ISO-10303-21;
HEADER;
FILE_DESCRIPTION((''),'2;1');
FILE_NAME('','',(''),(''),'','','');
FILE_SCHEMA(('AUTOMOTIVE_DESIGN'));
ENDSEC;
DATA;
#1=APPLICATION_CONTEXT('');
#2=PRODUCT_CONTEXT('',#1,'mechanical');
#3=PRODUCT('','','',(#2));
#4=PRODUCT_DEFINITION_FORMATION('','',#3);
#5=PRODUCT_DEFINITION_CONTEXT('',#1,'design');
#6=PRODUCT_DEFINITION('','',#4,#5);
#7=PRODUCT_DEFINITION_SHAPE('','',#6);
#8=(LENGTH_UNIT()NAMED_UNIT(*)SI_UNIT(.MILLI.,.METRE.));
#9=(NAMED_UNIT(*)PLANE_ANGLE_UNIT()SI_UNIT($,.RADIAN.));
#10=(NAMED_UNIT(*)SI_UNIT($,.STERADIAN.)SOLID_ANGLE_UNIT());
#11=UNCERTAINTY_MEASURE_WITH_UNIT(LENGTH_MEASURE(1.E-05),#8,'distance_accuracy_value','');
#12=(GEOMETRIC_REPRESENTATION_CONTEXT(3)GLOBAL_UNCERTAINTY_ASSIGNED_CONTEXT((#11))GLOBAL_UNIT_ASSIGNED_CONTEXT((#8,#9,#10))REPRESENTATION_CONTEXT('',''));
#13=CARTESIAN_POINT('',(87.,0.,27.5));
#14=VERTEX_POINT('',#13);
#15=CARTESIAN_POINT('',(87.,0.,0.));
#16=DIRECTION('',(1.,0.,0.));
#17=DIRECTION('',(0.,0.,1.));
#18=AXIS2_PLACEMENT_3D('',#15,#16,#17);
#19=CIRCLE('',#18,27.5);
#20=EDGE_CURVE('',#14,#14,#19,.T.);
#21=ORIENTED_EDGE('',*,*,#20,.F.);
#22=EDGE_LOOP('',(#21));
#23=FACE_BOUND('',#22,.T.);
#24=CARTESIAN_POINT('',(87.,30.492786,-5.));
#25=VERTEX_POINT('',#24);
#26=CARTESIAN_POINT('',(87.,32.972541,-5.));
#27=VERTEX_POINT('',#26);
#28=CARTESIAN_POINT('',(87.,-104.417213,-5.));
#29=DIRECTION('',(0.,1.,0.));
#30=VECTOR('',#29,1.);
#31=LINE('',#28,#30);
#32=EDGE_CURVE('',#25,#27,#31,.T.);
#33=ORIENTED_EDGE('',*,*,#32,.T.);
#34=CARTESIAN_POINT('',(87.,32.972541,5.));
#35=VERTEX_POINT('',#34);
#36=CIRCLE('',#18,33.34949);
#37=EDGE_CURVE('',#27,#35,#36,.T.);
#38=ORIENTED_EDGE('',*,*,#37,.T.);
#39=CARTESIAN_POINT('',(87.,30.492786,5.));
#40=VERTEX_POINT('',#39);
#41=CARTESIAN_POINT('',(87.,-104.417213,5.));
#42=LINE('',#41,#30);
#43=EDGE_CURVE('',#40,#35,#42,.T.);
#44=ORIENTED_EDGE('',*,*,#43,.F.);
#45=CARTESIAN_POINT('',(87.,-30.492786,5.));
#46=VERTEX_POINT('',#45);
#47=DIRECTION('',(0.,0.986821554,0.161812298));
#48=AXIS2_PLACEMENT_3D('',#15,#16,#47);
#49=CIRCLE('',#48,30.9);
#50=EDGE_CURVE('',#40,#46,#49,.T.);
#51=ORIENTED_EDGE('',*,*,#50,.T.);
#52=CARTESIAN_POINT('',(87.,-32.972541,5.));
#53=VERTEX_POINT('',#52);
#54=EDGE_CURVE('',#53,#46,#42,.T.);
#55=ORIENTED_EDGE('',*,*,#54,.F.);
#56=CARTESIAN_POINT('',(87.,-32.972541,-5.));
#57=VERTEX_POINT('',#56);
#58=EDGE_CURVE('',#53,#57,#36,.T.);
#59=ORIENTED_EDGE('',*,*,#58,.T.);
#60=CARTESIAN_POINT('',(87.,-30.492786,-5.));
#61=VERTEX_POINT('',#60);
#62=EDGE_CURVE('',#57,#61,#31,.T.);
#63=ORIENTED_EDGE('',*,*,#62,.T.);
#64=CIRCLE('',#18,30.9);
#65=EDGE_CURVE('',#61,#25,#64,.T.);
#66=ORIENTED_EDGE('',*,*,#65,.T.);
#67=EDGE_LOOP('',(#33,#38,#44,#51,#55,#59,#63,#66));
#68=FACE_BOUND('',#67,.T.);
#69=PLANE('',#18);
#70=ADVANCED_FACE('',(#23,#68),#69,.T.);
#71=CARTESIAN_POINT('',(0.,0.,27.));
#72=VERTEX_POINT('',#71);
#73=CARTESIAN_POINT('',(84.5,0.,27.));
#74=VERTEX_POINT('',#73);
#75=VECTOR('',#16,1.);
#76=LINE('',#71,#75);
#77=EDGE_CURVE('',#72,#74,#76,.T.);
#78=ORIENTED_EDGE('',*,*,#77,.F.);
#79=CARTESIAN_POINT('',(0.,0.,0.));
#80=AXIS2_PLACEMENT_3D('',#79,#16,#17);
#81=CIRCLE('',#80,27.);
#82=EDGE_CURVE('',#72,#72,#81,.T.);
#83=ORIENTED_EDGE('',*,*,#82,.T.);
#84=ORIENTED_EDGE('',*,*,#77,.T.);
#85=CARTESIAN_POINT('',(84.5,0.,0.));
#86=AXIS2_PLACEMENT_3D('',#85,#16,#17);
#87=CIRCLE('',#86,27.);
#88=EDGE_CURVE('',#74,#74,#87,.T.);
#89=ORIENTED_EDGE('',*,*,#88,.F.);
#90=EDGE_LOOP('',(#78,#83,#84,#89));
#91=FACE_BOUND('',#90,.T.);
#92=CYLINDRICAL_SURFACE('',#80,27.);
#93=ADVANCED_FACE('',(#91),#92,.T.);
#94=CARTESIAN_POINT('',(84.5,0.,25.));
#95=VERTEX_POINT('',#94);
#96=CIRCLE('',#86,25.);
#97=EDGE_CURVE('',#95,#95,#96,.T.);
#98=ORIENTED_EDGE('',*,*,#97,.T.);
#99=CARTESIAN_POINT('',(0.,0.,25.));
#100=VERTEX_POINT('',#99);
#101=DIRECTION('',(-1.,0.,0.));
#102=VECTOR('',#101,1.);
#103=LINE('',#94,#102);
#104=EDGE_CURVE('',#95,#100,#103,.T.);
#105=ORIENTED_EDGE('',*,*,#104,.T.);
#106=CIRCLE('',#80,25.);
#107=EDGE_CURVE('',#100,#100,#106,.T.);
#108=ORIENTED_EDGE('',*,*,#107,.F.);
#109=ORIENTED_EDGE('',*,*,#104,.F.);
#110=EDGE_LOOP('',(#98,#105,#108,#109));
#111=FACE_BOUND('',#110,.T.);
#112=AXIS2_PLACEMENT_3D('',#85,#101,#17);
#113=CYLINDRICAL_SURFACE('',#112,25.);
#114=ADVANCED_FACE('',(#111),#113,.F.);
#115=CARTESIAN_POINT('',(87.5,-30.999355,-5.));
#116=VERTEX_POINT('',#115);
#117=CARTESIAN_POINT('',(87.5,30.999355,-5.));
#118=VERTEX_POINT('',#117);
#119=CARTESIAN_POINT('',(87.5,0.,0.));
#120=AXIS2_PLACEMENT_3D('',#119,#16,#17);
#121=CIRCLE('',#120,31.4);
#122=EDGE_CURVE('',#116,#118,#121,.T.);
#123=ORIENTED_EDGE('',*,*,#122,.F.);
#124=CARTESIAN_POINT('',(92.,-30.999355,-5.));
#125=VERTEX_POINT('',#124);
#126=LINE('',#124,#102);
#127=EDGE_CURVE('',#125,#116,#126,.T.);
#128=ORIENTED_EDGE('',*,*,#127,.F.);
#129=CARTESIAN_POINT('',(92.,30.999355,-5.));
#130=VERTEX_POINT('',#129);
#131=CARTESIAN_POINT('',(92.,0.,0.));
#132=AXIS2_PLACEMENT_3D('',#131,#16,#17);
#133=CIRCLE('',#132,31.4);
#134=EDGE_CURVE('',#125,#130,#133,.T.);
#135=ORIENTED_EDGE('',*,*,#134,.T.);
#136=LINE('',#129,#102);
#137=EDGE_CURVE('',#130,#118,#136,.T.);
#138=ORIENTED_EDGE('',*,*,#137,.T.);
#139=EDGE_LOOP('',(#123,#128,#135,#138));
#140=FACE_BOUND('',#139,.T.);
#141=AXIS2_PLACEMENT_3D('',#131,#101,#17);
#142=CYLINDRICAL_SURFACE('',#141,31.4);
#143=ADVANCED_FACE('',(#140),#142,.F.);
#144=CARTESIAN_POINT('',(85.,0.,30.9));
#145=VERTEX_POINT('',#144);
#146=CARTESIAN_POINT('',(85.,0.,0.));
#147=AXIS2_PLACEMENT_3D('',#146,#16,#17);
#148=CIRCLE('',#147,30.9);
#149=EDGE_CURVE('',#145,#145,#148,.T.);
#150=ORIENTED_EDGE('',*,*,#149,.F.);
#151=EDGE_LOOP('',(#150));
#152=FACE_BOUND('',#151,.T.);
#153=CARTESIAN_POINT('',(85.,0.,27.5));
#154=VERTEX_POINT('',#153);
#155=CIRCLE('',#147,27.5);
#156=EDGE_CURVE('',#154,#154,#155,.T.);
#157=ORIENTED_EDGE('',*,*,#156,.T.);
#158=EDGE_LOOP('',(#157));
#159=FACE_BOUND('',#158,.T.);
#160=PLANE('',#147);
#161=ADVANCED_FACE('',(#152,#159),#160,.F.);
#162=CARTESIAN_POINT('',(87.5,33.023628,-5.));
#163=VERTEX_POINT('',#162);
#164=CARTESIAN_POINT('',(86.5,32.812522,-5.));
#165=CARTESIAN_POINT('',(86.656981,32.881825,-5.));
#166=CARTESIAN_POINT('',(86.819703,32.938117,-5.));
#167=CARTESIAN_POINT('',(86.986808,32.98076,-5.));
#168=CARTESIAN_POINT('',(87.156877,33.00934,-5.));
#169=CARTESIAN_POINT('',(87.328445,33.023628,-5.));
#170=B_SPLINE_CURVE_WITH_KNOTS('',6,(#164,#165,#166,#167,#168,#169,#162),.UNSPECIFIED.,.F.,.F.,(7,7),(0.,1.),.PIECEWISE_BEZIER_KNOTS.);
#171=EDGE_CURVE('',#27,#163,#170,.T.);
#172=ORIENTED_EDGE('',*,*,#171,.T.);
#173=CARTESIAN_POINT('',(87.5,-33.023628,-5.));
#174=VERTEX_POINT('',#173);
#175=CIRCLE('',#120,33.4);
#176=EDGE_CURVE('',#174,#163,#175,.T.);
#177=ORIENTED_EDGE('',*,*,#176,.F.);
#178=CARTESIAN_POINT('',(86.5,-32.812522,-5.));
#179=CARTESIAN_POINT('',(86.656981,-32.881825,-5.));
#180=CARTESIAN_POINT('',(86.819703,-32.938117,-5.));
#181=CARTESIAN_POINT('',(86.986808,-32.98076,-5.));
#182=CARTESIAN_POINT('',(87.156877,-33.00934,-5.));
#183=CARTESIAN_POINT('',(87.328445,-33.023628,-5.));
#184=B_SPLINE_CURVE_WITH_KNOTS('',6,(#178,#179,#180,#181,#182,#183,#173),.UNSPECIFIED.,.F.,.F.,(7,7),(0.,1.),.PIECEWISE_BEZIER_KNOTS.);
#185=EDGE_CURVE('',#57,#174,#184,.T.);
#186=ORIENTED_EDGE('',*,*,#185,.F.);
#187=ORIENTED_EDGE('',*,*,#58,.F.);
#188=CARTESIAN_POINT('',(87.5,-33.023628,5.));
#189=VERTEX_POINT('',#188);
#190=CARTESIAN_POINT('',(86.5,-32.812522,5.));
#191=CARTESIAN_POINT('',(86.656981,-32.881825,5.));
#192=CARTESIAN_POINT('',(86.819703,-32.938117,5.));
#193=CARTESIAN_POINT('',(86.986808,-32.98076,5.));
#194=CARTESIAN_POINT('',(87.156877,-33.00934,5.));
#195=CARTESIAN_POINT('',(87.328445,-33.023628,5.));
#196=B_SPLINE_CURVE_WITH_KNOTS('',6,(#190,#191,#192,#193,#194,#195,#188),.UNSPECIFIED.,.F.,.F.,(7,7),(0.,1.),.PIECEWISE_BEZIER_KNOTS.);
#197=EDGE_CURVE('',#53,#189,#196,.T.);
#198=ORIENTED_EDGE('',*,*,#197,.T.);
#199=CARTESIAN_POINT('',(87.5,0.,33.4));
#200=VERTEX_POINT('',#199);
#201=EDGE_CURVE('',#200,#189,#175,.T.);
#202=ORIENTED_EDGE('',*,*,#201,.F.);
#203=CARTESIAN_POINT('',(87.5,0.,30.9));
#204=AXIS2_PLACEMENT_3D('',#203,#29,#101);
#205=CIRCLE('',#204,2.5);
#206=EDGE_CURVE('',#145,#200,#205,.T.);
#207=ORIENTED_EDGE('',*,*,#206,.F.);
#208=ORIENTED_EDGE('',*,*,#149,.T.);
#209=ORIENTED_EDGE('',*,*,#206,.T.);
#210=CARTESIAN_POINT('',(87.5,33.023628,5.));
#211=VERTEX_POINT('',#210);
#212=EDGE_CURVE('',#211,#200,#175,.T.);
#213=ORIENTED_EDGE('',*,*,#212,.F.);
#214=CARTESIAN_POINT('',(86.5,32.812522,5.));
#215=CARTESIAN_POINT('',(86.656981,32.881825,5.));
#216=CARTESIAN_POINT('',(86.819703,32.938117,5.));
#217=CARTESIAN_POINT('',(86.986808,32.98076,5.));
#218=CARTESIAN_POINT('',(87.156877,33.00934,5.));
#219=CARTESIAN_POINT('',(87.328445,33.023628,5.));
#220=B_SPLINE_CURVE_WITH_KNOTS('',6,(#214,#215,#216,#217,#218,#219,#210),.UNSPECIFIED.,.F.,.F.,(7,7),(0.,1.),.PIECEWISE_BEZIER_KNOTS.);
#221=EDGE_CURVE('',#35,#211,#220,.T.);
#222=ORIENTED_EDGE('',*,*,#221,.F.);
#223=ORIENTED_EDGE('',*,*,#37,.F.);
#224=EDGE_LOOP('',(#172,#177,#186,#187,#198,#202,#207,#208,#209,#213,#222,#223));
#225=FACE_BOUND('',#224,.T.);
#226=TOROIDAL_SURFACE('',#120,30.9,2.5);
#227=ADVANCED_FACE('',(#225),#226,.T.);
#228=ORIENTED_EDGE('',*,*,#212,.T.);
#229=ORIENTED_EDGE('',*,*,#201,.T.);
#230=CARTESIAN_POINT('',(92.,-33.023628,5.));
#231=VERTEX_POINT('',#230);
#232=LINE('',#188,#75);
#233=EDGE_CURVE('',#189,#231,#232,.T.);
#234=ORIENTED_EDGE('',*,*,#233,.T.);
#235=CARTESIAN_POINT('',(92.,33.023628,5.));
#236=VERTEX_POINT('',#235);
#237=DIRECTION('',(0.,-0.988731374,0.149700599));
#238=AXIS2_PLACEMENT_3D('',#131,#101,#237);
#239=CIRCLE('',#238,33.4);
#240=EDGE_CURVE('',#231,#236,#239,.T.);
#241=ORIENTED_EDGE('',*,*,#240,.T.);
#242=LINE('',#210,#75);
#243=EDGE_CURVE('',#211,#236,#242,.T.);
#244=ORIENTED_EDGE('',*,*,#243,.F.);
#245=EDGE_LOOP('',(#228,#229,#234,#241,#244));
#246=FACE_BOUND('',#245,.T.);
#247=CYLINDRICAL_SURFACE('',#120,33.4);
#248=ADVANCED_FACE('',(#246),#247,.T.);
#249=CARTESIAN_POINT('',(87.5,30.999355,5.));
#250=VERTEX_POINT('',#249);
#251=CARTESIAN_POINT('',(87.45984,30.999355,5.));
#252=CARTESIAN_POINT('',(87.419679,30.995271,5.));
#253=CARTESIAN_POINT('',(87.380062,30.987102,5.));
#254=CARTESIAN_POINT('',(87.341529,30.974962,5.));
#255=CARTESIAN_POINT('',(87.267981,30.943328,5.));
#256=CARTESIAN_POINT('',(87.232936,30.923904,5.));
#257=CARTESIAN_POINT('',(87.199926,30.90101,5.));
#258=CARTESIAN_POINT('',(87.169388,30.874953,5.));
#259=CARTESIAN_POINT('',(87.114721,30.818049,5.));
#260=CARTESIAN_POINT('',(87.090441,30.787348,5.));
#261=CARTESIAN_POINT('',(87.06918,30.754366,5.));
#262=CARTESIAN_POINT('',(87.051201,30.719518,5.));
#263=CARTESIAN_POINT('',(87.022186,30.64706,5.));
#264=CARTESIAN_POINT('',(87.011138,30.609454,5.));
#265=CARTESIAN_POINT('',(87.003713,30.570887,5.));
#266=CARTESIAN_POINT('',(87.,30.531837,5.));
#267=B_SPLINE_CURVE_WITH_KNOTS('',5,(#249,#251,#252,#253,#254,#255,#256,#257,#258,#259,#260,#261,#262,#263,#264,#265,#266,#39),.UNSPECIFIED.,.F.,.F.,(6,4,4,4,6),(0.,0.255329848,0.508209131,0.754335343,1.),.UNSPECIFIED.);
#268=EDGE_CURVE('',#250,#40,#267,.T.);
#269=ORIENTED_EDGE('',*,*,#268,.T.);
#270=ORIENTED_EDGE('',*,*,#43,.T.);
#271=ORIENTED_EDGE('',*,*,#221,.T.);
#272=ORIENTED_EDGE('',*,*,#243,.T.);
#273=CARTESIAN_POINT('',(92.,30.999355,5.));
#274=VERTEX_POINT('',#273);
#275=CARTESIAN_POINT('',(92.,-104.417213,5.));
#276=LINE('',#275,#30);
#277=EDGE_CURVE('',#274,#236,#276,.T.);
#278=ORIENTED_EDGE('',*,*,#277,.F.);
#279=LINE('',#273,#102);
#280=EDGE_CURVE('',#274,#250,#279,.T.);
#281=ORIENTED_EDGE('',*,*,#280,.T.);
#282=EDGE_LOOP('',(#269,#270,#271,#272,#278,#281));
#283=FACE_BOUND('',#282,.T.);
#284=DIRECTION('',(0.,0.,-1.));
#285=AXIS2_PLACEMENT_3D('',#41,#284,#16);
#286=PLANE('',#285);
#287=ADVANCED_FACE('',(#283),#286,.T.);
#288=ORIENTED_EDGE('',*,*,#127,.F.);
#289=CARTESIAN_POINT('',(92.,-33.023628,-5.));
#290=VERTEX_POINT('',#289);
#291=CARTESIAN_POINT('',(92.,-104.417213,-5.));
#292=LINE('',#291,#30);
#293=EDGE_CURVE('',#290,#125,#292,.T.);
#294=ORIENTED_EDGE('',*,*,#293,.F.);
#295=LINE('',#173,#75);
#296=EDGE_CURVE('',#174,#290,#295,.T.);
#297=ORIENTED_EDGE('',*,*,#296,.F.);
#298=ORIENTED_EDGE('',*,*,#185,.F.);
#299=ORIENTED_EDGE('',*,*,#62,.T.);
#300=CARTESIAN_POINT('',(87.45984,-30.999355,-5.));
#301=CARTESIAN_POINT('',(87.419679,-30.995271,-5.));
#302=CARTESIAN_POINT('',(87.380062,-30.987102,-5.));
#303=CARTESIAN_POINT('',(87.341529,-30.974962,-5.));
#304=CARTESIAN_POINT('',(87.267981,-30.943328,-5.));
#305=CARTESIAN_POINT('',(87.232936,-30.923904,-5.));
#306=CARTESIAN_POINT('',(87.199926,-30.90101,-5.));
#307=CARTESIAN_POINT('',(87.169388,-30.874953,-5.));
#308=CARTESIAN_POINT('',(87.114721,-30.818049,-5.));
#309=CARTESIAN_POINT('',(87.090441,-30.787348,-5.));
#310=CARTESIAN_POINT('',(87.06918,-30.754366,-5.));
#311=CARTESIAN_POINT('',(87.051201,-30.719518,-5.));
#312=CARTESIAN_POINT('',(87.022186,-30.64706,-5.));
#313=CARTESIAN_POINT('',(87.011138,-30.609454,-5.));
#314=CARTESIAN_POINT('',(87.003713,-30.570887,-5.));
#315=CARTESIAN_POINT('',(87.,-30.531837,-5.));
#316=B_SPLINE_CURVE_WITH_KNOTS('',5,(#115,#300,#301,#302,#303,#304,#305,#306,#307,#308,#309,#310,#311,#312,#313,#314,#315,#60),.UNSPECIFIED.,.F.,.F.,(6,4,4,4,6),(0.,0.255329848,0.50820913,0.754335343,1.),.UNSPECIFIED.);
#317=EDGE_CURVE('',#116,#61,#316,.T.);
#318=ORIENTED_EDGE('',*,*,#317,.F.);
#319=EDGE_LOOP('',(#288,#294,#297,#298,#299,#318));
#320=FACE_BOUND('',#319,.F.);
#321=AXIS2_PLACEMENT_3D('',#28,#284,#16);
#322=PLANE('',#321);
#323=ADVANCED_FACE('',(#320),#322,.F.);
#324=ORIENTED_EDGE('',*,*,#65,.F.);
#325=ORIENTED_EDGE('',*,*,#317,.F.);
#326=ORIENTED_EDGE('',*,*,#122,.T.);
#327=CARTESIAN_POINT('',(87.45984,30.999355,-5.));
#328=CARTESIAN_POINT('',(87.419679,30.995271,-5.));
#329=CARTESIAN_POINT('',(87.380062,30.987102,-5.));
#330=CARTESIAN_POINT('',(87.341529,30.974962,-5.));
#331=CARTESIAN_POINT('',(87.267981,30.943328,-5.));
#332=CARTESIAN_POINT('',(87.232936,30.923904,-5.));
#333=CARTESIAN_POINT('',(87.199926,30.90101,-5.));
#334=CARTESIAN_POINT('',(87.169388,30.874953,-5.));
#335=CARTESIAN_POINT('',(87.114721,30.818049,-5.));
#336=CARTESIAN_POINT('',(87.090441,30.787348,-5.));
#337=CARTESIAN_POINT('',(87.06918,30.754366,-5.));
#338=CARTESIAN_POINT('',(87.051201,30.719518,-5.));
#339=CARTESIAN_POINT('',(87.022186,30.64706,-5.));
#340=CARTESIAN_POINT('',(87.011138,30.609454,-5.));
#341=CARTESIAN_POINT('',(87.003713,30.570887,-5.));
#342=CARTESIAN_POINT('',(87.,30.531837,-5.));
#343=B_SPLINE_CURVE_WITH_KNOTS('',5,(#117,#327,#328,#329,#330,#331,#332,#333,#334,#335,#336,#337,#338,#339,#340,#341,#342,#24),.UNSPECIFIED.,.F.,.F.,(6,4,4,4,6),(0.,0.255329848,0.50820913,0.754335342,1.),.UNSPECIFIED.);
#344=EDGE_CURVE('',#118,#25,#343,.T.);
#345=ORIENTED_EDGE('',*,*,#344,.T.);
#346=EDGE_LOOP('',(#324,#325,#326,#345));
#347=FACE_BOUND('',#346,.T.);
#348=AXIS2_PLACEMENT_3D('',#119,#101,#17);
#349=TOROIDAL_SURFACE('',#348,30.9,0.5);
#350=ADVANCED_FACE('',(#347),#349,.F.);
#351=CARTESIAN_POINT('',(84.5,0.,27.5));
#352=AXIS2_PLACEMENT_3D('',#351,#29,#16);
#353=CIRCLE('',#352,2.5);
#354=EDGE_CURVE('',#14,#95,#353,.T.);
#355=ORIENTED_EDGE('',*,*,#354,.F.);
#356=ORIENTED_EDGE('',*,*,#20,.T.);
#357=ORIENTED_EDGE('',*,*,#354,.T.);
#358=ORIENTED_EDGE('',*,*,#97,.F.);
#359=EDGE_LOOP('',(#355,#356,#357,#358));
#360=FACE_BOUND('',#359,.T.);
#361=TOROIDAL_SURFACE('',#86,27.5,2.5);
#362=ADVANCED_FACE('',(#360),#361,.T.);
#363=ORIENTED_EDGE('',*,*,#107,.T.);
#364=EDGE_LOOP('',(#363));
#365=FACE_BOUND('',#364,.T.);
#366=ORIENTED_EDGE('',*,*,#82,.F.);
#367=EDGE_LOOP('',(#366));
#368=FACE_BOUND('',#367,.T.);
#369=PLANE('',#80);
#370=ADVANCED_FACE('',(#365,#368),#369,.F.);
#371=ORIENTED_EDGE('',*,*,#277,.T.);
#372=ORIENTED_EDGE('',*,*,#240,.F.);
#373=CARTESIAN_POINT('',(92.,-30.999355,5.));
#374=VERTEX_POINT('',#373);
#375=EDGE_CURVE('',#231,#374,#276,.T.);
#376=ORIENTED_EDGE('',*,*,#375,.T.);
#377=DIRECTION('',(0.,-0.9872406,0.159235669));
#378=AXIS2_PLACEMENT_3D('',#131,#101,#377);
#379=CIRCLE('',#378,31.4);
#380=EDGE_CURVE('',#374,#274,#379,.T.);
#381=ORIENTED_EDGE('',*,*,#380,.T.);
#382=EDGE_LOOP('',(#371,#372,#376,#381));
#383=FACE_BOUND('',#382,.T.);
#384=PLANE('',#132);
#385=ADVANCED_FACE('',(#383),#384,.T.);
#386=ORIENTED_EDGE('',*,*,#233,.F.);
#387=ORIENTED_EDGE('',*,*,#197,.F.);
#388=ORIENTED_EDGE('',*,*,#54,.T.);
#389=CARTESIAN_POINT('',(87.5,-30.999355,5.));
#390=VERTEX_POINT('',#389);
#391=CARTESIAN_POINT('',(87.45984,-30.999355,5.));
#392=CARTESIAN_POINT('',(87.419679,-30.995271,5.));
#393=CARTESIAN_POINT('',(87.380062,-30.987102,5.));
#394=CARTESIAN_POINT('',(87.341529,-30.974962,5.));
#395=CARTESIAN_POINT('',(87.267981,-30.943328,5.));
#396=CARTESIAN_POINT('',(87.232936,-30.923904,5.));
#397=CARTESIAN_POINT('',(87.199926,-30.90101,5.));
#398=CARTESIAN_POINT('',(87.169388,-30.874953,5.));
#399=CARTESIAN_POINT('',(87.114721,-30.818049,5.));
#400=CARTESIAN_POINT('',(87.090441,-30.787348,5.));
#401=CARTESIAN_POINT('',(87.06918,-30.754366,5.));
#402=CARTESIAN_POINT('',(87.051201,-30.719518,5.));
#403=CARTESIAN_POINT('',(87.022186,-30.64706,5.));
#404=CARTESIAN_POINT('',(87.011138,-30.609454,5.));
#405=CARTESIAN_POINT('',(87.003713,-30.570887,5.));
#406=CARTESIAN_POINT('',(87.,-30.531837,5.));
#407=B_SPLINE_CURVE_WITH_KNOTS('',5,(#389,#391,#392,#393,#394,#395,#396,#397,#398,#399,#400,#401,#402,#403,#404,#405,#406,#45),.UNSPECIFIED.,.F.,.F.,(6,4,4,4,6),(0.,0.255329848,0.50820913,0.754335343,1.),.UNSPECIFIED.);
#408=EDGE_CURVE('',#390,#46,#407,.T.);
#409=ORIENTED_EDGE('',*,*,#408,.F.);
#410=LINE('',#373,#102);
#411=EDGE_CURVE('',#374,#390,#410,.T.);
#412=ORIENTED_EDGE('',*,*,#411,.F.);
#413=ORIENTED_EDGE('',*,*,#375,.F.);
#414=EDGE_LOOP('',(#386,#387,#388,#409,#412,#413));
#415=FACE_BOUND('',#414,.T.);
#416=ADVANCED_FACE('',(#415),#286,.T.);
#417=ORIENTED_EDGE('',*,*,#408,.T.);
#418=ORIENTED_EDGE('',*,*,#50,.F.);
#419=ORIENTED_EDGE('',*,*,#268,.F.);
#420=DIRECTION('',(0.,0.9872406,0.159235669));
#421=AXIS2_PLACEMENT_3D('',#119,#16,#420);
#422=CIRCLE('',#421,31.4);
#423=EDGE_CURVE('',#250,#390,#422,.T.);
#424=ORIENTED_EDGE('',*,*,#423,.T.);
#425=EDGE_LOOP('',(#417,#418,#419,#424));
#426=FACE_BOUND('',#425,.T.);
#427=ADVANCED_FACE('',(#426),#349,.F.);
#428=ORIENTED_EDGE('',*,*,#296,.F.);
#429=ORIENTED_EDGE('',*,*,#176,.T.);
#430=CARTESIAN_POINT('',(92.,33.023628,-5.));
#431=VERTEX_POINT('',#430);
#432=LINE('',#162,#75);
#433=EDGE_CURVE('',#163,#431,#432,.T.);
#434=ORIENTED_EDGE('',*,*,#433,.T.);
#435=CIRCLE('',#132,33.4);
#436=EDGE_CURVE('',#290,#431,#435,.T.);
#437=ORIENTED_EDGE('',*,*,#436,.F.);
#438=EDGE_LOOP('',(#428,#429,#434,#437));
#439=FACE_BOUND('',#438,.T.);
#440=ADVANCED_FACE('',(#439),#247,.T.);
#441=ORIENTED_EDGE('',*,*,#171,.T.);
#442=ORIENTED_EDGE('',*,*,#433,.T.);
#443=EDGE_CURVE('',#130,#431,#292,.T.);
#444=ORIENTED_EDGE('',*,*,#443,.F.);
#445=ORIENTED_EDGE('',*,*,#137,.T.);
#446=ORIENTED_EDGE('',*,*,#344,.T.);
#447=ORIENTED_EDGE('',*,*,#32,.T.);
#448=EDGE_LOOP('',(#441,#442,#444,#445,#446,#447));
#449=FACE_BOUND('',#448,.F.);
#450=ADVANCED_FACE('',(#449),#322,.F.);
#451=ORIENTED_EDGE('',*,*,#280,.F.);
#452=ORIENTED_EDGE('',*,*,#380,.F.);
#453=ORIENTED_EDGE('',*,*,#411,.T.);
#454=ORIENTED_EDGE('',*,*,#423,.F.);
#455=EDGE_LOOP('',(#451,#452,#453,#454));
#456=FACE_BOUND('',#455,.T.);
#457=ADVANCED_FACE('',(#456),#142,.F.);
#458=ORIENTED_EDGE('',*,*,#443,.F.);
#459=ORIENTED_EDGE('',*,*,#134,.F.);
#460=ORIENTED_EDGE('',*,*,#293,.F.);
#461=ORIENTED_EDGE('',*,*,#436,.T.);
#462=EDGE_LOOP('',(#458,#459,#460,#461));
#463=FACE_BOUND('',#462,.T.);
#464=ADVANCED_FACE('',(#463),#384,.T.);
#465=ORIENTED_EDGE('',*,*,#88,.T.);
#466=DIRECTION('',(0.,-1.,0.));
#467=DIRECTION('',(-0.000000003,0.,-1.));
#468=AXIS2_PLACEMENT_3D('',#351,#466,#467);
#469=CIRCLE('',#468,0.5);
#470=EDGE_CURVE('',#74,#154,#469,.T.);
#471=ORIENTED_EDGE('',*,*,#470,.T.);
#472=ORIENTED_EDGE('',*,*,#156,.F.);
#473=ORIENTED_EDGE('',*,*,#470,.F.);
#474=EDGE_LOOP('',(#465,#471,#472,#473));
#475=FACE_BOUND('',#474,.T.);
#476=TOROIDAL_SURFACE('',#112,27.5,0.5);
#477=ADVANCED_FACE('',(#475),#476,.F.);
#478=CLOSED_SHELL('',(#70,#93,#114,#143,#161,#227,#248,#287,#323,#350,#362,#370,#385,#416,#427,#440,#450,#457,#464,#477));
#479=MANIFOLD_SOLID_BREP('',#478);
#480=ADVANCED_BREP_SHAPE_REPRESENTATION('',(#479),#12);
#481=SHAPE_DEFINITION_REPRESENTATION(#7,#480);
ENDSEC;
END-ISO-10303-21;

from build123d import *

# Parameters (mm, degrees)
ENL_V_MAT_EXTRU_1_DEPTH      = 104.417213267
ENL_V_MAT_EXTRU_1_DEPTH_BACK = 104.417213267
ESQUISSE2_W                  = 5
ESQUISSE2_H                  = 10


with BuildPart() as part:
    # Esquisse1 → Base-Révol.-Mince (revolve)
    with BuildSketch(Plane.XY, mode=Mode.PRIVATE) as base_r_vol_mince_sk:
        with BuildLine():
            Line((0, 27), (84.5, 27))
            ThreePointArc((84.5, 27), (84.853553391, 27.146446609), (85, 27.5))
            Line((85, 27.5), (85, 30.9))
            ThreePointArc((85, 30.9), (85.732233047, 32.667766953), (87.5, 33.4))
            Line((87.5, 33.4), (92, 33.4))
            Line((92, 33.4), (92, 31.4))
            Line((92, 31.4), (87.5, 31.4))
            ThreePointArc((87.5, 31.4), (87.146446609, 31.253553391), (87, 30.9))
            Line((87, 30.9), (87, 27.5))
            ThreePointArc((87, 27.5), (86.267766953, 25.732233047), (84.5, 25))
            Line((84.5, 25), (0, 25))
            Line((0, 25), (0, 27))
        make_face()
    revolve(base_r_vol_mince_sk.sketch.rotate(Axis((0, 0, 0), (1, 0, 0)), 90), axis=Axis((0, 0, 0), (1, 0, 0)))

    # Esquisse2 → Enlèv. mat.-Extru.1 (cut, two sides: drawn at the far end of the back side and taken through both)
    with BuildSketch(Plane(origin=(0, 0, 0), x_dir=(1, 0, 0), z_dir=(0, 1, 0)).offset(-ENL_V_MAT_EXTRU_1_DEPTH_BACK)):
        with Locations((89.5, 0)):
            Rectangle(ESQUISSE2_W, ESQUISSE2_H)
    extrude(amount=ENL_V_MAT_EXTRU_1_DEPTH + ENL_V_MAT_EXTRU_1_DEPTH_BACK, mode=Mode.SUBTRACT)


solid = part.part
